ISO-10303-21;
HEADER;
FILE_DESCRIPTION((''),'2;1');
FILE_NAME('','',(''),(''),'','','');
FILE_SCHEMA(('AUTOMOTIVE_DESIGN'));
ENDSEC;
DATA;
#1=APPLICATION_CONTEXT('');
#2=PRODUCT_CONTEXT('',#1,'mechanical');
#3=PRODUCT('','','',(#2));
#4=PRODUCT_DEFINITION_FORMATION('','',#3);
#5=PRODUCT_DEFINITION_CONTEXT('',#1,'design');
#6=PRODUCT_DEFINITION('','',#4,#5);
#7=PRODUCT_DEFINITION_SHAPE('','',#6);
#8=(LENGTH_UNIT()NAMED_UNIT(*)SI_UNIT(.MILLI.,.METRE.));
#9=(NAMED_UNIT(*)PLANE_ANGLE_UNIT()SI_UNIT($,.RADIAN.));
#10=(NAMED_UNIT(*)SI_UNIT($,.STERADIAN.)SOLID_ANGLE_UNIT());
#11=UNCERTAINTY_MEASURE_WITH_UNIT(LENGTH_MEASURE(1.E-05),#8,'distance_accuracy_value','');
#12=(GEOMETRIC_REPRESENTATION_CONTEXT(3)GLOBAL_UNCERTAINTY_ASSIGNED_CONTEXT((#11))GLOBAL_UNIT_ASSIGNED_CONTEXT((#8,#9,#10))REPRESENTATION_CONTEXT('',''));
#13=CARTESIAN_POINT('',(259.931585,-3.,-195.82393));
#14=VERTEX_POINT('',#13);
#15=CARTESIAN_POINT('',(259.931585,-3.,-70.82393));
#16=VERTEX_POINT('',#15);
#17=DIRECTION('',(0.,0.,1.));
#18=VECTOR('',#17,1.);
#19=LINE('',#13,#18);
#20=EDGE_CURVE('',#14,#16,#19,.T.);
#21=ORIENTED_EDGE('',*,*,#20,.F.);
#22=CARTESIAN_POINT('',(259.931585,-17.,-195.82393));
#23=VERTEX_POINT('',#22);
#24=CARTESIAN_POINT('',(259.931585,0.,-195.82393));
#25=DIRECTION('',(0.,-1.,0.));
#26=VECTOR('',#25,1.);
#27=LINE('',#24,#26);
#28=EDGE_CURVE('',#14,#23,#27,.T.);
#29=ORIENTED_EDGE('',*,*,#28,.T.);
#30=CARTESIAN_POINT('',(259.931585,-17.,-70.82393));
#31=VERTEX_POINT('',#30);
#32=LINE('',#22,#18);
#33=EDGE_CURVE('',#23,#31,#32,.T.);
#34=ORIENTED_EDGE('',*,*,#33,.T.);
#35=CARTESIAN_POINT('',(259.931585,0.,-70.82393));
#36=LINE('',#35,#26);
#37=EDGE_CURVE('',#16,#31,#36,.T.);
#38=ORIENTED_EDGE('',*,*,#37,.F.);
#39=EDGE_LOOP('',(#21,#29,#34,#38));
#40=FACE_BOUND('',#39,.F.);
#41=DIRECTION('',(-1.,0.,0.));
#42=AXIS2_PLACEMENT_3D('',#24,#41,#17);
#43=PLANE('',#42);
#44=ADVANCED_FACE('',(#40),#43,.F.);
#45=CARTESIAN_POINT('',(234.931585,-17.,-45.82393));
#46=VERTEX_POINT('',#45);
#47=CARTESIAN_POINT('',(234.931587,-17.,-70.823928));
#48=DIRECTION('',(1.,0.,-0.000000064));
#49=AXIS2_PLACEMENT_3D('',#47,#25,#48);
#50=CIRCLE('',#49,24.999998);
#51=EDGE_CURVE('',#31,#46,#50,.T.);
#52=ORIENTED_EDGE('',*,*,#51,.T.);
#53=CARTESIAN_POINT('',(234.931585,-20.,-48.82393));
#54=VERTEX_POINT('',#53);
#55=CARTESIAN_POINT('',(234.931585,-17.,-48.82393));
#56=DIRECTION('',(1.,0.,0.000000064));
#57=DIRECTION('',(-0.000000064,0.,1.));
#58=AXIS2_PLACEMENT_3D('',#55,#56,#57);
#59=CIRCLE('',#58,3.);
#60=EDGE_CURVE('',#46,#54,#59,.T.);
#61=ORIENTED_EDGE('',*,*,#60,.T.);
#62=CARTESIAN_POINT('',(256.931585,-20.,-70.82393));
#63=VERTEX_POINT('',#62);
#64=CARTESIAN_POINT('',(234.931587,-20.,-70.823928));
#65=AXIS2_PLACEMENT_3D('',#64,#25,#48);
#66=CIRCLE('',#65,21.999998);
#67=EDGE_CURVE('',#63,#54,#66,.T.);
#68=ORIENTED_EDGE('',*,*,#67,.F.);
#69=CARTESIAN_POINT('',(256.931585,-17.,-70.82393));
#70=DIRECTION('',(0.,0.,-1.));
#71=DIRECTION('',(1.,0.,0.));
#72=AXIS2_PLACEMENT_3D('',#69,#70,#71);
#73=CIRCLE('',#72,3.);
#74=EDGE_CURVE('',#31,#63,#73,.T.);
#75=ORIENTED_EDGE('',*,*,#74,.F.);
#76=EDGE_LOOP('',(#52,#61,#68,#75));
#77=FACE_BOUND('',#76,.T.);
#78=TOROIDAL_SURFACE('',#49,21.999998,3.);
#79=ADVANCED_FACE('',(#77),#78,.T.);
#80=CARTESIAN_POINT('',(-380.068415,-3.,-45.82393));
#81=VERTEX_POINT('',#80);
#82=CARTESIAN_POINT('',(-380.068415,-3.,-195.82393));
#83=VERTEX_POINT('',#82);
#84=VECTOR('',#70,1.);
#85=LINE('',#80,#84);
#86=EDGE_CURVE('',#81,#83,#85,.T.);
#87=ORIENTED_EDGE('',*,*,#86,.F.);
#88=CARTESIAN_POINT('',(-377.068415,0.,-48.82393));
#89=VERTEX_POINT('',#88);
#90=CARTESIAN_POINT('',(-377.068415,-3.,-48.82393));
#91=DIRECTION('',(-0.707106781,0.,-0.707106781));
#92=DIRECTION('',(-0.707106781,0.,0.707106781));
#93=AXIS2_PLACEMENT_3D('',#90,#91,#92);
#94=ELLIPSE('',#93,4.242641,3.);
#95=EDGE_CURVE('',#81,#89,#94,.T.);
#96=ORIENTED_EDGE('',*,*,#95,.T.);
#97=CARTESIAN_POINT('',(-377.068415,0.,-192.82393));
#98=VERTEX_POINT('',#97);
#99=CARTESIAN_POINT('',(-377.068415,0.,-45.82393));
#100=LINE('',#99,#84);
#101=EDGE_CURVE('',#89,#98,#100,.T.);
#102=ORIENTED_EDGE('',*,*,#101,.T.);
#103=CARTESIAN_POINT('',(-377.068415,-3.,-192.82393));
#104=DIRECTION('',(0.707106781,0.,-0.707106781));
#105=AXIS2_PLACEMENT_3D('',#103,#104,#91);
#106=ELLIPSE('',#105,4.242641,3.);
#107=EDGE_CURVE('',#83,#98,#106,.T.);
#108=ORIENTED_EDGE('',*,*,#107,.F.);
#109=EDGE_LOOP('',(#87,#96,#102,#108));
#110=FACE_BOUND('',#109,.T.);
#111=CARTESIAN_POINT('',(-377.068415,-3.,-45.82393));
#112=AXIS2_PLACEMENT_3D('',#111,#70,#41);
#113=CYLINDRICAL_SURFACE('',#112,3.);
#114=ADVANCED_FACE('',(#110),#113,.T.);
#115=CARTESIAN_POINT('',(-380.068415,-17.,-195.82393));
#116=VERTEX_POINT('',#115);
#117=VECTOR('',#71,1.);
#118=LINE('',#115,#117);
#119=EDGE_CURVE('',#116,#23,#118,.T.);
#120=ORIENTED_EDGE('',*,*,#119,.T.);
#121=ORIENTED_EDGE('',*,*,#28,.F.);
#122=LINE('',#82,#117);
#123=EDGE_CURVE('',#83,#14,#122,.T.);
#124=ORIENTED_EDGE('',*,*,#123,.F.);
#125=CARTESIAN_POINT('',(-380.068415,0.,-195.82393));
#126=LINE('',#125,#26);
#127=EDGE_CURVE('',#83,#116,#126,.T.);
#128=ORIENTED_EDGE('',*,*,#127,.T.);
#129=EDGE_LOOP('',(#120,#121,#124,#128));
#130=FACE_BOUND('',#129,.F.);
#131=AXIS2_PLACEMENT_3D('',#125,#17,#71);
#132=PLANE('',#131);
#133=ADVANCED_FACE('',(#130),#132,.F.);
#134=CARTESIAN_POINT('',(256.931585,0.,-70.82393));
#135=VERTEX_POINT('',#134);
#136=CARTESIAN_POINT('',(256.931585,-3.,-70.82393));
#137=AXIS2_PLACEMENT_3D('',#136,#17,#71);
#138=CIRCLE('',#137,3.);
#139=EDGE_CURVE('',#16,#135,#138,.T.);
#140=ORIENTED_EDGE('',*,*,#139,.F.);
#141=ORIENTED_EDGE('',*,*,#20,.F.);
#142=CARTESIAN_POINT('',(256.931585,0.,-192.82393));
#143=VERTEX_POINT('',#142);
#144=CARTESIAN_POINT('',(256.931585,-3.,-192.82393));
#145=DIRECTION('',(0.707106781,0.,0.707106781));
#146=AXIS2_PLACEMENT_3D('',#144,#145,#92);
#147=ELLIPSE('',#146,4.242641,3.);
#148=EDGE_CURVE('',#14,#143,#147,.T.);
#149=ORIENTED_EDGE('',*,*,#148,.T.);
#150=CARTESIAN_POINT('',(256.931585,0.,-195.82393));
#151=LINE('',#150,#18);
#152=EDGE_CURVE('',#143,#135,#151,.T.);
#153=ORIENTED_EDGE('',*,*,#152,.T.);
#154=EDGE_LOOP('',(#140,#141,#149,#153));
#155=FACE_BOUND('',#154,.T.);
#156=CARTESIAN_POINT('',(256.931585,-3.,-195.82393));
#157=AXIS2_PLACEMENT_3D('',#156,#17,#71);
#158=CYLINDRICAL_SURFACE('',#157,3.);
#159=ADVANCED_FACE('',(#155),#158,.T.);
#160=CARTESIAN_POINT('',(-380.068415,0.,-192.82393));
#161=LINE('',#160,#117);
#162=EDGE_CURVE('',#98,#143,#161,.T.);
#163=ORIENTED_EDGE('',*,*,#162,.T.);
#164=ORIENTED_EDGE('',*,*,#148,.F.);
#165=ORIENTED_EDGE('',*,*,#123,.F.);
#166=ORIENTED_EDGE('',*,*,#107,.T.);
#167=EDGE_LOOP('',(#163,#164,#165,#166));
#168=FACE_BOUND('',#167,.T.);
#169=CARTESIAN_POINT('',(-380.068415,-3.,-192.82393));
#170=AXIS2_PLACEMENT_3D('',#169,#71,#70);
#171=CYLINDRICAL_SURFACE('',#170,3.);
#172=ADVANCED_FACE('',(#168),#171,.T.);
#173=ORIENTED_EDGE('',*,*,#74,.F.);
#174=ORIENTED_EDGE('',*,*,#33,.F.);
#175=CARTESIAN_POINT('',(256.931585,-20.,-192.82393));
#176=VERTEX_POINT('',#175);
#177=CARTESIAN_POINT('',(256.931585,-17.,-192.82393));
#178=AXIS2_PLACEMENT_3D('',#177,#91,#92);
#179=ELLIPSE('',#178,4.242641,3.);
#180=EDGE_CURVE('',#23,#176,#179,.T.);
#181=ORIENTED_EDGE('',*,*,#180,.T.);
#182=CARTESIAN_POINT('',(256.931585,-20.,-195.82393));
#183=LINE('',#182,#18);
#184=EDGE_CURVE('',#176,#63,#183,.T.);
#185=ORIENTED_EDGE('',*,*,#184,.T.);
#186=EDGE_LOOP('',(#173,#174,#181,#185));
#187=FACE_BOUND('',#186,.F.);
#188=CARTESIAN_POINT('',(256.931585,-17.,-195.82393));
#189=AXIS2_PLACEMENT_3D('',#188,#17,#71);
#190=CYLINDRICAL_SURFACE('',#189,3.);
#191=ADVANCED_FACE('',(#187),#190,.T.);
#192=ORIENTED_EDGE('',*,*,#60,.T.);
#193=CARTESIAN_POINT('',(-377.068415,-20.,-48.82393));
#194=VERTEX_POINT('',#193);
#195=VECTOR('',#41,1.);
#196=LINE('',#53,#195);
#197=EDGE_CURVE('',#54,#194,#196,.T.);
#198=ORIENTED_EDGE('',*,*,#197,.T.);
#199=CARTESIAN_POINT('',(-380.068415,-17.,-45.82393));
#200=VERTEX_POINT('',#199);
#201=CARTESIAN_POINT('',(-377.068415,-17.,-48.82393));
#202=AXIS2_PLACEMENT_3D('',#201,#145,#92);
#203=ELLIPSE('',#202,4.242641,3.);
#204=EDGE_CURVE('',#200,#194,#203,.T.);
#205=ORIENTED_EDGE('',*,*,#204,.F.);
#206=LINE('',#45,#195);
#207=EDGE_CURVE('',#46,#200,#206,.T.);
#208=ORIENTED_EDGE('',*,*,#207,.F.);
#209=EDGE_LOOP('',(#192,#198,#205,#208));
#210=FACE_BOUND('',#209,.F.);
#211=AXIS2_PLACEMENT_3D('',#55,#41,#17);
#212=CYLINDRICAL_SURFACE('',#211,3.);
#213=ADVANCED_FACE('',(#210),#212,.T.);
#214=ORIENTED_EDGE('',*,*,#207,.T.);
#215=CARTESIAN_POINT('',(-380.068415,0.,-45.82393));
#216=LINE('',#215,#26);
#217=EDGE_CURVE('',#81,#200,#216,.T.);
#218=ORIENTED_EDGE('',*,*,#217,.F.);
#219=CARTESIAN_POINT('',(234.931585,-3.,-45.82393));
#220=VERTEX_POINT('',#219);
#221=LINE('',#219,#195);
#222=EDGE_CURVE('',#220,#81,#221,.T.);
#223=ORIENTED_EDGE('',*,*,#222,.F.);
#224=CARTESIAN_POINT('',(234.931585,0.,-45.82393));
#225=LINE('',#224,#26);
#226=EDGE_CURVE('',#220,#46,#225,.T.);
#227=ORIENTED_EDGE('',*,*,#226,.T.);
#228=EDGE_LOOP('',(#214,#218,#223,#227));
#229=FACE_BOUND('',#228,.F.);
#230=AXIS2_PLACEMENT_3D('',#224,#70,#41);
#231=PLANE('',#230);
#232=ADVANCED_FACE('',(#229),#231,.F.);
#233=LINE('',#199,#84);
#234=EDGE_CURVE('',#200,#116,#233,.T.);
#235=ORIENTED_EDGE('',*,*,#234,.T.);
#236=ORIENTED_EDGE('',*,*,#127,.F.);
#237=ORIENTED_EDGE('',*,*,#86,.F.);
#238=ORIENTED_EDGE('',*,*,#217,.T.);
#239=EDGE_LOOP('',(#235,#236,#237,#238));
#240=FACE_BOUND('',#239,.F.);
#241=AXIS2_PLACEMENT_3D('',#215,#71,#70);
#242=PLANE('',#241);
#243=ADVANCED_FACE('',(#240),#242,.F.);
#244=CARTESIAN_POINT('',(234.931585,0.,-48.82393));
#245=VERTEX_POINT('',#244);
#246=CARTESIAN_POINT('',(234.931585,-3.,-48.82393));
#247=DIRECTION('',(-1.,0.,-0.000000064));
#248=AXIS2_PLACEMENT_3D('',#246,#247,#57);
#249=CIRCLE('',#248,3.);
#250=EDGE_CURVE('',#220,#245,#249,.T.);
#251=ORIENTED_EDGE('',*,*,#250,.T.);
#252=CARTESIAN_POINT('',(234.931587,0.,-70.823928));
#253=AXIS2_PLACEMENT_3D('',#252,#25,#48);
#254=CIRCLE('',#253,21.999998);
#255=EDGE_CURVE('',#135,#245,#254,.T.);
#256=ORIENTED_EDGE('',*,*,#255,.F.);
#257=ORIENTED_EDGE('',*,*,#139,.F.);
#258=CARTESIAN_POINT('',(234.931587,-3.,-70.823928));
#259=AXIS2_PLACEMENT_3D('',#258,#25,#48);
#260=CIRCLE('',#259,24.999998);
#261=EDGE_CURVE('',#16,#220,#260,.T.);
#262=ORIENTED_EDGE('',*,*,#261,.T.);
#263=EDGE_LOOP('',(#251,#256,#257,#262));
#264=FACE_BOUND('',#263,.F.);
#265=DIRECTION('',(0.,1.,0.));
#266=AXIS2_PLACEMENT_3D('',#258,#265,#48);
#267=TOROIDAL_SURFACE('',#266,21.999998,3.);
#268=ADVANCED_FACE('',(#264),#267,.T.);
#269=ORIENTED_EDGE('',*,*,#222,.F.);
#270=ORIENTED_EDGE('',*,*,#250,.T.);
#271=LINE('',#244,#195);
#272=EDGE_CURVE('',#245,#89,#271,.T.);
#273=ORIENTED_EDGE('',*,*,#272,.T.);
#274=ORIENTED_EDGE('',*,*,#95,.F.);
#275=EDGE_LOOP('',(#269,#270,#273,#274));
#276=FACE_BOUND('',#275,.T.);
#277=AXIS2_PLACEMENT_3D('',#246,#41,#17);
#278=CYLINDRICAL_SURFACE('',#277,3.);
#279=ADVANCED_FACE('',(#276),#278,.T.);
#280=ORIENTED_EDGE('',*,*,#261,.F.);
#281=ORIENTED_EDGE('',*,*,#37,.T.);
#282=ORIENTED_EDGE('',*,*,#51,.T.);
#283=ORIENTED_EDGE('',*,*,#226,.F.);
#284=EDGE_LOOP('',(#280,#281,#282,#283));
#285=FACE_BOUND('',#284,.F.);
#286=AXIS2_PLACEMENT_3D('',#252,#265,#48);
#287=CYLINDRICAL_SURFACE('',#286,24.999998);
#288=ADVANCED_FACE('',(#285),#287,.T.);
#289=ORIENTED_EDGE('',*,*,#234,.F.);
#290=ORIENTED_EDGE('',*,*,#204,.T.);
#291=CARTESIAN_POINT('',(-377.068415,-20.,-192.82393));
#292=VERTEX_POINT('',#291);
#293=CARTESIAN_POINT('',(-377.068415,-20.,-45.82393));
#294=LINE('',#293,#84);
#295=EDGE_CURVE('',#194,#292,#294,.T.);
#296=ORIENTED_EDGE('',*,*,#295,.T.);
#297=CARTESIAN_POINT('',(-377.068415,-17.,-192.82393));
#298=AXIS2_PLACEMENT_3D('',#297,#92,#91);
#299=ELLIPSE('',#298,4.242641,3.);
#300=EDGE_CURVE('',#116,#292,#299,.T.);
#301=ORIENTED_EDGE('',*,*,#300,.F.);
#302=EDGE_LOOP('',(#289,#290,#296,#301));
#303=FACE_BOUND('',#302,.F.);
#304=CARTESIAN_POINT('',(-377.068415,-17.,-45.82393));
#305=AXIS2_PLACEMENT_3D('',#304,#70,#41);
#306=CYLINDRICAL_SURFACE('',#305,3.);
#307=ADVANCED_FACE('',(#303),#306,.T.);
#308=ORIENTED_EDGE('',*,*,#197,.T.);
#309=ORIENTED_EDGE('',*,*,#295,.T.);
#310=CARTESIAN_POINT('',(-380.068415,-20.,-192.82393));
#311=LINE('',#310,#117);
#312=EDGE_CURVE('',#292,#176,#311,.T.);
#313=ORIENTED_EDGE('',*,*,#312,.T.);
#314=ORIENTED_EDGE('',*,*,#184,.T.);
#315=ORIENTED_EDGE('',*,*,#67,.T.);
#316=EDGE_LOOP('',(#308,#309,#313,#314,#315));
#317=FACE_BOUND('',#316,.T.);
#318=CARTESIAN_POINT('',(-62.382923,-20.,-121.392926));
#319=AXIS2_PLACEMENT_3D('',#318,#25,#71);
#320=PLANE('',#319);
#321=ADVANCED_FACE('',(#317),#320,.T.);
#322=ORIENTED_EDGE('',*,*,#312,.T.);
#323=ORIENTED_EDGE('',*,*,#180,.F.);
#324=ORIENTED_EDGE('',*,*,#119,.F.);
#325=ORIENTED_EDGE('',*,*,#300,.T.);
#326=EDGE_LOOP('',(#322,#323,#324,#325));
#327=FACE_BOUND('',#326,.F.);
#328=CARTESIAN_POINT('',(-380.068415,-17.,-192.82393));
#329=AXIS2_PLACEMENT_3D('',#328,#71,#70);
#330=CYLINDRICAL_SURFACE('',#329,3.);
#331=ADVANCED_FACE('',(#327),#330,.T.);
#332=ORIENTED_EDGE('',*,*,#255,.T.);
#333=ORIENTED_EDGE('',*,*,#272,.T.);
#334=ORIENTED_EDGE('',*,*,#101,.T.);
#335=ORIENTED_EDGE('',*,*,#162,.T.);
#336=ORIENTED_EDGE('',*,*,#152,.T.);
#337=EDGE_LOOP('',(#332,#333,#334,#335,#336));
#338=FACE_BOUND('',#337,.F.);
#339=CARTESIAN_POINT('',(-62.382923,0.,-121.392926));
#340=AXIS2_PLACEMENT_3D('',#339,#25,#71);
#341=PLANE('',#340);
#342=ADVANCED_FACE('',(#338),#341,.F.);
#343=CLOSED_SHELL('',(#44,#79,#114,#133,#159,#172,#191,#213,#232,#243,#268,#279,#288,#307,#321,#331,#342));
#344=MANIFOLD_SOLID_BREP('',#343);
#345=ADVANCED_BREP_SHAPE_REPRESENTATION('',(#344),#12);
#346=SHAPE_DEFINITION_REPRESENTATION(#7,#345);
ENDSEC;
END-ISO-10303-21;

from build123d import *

# Parameters (mm, degrees)
F1_DEPTH = 20
F3_R     = 3


with BuildPart() as f1:
    # F0 (on Front) → F1 (new body)
    with BuildSketch(Plane.XZ):
        with BuildLine():
            Line((234.931585, -45.82393), (-380.068415, -45.82393))
            Line((-380.068415, -45.82393), (-380.068415, -195.82393))
            Line((-380.068415, -195.82393), (259.931585, -195.82393))
            Line((259.931585, -195.82393), (259.931585, -70.82393))
            ThreePointArc((259.931585, -70.82393), (252.609255, -53.14626), (234.931585, -45.82393))
        make_face()
    extrude(amount=F1_DEPTH)

    # F3
    f3_edges = [f1.edges().sort_by_distance(p)[0] for p in [
        (259.931585, 0, -133.32393),
        (252.609255, 0, -53.14626),
        (-72.568415, 0, -45.82393),
        (-380.068415, 0, -120.82393),
        (-60.068415, 0, -195.82393),
        (259.931585, -20, -133.32393),
        (252.609255, -20, -53.14626),
        (-72.568415, -20, -45.82393),
        (-380.068415, -20, -120.82393),
        (-60.068415, -20, -195.82393),
    ]]
    fillet(f3_edges, radius=F3_R)


solid = f1.part
